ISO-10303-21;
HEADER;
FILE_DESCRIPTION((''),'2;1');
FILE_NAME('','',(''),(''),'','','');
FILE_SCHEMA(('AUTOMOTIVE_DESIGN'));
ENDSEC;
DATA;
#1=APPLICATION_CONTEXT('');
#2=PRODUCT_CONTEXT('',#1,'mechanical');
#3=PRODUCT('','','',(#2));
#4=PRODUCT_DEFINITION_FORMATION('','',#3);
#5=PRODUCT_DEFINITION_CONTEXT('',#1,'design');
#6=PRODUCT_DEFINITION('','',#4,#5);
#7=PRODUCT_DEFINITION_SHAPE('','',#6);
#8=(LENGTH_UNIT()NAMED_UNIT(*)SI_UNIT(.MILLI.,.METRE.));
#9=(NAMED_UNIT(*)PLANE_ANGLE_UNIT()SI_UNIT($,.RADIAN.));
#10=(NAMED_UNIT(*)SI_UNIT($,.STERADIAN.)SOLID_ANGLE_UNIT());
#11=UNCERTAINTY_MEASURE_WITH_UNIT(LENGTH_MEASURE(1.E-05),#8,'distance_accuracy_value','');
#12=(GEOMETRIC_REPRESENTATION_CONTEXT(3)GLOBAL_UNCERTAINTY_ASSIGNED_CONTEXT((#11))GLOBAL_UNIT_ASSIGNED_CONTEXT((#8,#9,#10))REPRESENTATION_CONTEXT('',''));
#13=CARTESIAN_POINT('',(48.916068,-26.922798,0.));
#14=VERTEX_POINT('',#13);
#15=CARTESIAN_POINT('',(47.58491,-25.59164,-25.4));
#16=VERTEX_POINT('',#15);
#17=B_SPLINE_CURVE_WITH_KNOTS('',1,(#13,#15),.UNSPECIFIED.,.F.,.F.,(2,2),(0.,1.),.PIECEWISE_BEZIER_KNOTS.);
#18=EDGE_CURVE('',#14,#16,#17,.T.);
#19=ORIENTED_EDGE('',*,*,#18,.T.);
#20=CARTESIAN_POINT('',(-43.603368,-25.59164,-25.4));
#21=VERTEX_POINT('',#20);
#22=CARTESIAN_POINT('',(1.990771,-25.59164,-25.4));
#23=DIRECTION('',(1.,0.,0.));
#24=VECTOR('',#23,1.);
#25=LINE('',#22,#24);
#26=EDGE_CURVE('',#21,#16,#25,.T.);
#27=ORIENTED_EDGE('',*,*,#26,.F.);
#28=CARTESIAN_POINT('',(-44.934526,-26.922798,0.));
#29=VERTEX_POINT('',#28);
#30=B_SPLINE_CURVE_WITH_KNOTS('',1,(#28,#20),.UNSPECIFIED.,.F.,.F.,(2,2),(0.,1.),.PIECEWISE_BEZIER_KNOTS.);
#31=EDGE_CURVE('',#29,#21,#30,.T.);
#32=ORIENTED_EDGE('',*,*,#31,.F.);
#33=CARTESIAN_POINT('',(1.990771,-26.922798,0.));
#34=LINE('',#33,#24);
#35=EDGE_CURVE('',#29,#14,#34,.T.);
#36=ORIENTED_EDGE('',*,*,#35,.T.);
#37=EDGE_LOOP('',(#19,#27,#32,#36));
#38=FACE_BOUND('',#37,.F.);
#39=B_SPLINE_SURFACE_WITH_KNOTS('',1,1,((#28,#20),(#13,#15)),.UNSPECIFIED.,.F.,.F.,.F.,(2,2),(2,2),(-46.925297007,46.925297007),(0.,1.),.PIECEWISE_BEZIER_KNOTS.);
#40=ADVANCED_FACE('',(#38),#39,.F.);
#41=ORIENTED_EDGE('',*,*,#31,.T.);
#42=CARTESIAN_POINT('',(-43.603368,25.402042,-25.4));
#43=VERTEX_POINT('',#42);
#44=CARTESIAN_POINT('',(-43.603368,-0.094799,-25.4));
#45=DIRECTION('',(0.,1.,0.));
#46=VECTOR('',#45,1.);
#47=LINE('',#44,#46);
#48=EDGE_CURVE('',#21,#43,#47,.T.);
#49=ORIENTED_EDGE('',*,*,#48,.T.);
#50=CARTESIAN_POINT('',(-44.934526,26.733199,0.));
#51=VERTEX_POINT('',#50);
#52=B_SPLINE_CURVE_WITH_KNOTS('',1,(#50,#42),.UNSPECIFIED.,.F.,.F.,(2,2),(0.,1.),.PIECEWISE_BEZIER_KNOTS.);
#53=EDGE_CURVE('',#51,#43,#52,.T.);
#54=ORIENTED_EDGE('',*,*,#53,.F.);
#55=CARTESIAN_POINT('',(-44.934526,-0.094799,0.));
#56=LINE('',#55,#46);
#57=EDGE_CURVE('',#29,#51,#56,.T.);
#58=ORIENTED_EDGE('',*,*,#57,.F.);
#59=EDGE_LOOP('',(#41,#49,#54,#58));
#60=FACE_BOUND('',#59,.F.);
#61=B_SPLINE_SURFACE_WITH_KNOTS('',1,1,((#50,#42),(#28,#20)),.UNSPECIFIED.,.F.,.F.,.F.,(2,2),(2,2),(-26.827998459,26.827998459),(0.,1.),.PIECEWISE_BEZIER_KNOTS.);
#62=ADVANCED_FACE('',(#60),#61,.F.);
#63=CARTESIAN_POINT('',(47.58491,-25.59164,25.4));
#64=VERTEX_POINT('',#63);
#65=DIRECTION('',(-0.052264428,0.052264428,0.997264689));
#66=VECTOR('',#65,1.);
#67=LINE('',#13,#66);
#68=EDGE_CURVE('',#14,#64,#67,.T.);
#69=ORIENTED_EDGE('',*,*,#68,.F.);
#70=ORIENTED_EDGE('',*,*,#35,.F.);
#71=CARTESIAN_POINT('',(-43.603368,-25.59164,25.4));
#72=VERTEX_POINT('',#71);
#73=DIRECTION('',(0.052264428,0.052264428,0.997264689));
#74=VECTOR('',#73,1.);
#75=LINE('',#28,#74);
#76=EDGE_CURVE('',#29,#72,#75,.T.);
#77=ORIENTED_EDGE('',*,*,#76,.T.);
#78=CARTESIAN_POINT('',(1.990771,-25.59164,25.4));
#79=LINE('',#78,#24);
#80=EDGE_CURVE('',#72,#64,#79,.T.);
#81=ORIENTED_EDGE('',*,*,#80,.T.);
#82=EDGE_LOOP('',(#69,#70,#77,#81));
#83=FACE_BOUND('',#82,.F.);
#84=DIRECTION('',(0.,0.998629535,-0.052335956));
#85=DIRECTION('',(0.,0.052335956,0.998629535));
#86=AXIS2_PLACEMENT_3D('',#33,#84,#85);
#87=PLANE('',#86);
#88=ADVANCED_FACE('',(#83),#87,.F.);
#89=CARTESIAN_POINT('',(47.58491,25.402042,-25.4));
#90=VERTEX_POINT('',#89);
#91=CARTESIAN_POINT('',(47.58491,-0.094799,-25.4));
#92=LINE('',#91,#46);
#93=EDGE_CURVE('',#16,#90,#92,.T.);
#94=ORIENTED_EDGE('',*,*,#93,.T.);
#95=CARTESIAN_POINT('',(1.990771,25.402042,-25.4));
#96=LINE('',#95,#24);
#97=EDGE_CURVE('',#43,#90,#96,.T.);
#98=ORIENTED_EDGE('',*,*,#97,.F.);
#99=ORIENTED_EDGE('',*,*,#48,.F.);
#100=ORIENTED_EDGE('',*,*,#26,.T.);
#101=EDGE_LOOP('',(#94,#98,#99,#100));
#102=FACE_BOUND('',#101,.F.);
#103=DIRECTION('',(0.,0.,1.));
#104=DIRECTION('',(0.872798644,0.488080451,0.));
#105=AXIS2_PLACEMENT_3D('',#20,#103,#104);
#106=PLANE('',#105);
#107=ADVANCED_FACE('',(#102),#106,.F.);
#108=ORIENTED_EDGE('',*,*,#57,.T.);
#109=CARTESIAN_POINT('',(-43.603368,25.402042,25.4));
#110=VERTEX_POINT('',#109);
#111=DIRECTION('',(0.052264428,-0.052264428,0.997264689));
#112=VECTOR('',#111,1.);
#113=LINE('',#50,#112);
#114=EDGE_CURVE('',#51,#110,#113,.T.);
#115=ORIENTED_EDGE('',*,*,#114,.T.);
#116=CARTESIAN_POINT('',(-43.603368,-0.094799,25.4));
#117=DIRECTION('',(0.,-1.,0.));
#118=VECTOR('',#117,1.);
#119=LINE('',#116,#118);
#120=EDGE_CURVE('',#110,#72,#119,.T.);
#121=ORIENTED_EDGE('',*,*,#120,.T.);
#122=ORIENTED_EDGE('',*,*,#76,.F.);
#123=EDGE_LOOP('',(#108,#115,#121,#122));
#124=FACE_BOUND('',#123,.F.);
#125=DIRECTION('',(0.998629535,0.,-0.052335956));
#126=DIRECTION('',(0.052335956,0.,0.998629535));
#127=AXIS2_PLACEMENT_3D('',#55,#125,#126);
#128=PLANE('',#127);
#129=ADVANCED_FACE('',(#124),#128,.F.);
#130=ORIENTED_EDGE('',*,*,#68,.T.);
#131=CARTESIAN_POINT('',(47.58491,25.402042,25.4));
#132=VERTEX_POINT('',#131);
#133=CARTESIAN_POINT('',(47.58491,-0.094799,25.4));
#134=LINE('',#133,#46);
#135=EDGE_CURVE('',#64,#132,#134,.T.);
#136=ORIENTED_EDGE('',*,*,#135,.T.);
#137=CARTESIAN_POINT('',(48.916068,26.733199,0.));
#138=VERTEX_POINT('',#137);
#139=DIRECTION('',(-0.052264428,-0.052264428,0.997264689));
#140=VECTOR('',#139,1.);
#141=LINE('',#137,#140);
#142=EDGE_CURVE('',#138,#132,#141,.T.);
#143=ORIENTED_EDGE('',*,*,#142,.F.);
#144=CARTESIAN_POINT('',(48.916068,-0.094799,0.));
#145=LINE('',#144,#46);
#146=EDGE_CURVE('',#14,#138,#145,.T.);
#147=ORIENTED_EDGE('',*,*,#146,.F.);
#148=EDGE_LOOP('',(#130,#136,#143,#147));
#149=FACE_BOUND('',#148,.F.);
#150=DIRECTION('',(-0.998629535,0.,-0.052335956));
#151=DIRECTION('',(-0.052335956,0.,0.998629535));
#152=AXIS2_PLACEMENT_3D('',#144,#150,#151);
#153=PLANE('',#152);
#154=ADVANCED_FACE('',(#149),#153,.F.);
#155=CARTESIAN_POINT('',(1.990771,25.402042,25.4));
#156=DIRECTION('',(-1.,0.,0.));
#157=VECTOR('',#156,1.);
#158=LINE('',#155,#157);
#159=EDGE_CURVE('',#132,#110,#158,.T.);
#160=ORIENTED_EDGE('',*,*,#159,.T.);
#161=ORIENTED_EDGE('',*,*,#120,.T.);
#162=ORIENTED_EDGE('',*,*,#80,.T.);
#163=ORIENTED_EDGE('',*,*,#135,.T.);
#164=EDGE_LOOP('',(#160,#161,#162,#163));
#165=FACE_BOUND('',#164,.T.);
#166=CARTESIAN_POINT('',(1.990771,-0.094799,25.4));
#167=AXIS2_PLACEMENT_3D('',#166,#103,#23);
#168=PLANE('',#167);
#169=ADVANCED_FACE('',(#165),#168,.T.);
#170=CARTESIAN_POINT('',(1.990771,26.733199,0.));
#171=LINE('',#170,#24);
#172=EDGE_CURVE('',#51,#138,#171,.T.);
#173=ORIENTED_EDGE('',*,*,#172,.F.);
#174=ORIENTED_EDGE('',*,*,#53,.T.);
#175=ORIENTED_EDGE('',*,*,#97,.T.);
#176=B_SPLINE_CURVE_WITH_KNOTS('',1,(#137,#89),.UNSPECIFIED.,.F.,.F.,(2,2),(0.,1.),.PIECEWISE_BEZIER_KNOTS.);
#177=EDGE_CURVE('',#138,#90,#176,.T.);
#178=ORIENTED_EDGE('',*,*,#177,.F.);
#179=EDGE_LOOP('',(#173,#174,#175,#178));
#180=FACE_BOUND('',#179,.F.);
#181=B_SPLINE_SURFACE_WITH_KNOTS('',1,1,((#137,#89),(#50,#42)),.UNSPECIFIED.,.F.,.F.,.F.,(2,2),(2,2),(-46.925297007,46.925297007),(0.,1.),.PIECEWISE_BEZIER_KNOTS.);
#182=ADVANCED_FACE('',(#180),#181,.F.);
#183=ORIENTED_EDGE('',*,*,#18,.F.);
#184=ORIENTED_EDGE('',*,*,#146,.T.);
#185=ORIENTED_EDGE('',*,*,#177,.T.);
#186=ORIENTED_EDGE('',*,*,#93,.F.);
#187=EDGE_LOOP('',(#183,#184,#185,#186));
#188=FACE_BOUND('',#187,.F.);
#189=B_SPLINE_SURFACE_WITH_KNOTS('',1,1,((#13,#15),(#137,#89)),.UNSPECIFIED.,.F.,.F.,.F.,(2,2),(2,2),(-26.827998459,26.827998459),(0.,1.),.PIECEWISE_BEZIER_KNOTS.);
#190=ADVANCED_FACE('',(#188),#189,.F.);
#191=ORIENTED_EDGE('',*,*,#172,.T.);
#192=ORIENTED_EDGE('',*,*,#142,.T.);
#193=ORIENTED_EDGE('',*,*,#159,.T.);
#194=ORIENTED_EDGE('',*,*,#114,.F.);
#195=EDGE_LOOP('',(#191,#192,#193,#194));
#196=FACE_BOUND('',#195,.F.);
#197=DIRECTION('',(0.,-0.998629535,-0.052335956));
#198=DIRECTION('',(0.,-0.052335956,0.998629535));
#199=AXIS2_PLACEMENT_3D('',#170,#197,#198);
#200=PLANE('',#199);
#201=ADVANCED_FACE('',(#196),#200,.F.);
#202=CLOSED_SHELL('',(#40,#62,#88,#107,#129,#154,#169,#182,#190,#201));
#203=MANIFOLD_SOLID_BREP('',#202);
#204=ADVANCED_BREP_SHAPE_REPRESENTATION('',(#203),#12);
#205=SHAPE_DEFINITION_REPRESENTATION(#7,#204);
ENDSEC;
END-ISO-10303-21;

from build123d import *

# Parameters (mm, degrees)
F0_W          = 93.8505940139
F0_H          = 53.6559969187
F1_DEPTH      = 25.4
F1_TAPER      = 3
F1_DEPTH_BACK = 25.4
F1_TAPER_BACK = 3


with BuildPart() as f1:
    # F0 (on Top) → F1 (new body, two sides)
    with BuildSketch(Plane.XY) as f1_sk:
        with Locations((1.9907709211, -0.0947993249)):
            Rectangle(F0_W, F0_H)
    extrude(amount=F1_DEPTH, taper=F1_TAPER)
    extrude(f1_sk.sketch, amount=-F1_DEPTH_BACK, taper=F1_TAPER_BACK)


solid = f1.part
